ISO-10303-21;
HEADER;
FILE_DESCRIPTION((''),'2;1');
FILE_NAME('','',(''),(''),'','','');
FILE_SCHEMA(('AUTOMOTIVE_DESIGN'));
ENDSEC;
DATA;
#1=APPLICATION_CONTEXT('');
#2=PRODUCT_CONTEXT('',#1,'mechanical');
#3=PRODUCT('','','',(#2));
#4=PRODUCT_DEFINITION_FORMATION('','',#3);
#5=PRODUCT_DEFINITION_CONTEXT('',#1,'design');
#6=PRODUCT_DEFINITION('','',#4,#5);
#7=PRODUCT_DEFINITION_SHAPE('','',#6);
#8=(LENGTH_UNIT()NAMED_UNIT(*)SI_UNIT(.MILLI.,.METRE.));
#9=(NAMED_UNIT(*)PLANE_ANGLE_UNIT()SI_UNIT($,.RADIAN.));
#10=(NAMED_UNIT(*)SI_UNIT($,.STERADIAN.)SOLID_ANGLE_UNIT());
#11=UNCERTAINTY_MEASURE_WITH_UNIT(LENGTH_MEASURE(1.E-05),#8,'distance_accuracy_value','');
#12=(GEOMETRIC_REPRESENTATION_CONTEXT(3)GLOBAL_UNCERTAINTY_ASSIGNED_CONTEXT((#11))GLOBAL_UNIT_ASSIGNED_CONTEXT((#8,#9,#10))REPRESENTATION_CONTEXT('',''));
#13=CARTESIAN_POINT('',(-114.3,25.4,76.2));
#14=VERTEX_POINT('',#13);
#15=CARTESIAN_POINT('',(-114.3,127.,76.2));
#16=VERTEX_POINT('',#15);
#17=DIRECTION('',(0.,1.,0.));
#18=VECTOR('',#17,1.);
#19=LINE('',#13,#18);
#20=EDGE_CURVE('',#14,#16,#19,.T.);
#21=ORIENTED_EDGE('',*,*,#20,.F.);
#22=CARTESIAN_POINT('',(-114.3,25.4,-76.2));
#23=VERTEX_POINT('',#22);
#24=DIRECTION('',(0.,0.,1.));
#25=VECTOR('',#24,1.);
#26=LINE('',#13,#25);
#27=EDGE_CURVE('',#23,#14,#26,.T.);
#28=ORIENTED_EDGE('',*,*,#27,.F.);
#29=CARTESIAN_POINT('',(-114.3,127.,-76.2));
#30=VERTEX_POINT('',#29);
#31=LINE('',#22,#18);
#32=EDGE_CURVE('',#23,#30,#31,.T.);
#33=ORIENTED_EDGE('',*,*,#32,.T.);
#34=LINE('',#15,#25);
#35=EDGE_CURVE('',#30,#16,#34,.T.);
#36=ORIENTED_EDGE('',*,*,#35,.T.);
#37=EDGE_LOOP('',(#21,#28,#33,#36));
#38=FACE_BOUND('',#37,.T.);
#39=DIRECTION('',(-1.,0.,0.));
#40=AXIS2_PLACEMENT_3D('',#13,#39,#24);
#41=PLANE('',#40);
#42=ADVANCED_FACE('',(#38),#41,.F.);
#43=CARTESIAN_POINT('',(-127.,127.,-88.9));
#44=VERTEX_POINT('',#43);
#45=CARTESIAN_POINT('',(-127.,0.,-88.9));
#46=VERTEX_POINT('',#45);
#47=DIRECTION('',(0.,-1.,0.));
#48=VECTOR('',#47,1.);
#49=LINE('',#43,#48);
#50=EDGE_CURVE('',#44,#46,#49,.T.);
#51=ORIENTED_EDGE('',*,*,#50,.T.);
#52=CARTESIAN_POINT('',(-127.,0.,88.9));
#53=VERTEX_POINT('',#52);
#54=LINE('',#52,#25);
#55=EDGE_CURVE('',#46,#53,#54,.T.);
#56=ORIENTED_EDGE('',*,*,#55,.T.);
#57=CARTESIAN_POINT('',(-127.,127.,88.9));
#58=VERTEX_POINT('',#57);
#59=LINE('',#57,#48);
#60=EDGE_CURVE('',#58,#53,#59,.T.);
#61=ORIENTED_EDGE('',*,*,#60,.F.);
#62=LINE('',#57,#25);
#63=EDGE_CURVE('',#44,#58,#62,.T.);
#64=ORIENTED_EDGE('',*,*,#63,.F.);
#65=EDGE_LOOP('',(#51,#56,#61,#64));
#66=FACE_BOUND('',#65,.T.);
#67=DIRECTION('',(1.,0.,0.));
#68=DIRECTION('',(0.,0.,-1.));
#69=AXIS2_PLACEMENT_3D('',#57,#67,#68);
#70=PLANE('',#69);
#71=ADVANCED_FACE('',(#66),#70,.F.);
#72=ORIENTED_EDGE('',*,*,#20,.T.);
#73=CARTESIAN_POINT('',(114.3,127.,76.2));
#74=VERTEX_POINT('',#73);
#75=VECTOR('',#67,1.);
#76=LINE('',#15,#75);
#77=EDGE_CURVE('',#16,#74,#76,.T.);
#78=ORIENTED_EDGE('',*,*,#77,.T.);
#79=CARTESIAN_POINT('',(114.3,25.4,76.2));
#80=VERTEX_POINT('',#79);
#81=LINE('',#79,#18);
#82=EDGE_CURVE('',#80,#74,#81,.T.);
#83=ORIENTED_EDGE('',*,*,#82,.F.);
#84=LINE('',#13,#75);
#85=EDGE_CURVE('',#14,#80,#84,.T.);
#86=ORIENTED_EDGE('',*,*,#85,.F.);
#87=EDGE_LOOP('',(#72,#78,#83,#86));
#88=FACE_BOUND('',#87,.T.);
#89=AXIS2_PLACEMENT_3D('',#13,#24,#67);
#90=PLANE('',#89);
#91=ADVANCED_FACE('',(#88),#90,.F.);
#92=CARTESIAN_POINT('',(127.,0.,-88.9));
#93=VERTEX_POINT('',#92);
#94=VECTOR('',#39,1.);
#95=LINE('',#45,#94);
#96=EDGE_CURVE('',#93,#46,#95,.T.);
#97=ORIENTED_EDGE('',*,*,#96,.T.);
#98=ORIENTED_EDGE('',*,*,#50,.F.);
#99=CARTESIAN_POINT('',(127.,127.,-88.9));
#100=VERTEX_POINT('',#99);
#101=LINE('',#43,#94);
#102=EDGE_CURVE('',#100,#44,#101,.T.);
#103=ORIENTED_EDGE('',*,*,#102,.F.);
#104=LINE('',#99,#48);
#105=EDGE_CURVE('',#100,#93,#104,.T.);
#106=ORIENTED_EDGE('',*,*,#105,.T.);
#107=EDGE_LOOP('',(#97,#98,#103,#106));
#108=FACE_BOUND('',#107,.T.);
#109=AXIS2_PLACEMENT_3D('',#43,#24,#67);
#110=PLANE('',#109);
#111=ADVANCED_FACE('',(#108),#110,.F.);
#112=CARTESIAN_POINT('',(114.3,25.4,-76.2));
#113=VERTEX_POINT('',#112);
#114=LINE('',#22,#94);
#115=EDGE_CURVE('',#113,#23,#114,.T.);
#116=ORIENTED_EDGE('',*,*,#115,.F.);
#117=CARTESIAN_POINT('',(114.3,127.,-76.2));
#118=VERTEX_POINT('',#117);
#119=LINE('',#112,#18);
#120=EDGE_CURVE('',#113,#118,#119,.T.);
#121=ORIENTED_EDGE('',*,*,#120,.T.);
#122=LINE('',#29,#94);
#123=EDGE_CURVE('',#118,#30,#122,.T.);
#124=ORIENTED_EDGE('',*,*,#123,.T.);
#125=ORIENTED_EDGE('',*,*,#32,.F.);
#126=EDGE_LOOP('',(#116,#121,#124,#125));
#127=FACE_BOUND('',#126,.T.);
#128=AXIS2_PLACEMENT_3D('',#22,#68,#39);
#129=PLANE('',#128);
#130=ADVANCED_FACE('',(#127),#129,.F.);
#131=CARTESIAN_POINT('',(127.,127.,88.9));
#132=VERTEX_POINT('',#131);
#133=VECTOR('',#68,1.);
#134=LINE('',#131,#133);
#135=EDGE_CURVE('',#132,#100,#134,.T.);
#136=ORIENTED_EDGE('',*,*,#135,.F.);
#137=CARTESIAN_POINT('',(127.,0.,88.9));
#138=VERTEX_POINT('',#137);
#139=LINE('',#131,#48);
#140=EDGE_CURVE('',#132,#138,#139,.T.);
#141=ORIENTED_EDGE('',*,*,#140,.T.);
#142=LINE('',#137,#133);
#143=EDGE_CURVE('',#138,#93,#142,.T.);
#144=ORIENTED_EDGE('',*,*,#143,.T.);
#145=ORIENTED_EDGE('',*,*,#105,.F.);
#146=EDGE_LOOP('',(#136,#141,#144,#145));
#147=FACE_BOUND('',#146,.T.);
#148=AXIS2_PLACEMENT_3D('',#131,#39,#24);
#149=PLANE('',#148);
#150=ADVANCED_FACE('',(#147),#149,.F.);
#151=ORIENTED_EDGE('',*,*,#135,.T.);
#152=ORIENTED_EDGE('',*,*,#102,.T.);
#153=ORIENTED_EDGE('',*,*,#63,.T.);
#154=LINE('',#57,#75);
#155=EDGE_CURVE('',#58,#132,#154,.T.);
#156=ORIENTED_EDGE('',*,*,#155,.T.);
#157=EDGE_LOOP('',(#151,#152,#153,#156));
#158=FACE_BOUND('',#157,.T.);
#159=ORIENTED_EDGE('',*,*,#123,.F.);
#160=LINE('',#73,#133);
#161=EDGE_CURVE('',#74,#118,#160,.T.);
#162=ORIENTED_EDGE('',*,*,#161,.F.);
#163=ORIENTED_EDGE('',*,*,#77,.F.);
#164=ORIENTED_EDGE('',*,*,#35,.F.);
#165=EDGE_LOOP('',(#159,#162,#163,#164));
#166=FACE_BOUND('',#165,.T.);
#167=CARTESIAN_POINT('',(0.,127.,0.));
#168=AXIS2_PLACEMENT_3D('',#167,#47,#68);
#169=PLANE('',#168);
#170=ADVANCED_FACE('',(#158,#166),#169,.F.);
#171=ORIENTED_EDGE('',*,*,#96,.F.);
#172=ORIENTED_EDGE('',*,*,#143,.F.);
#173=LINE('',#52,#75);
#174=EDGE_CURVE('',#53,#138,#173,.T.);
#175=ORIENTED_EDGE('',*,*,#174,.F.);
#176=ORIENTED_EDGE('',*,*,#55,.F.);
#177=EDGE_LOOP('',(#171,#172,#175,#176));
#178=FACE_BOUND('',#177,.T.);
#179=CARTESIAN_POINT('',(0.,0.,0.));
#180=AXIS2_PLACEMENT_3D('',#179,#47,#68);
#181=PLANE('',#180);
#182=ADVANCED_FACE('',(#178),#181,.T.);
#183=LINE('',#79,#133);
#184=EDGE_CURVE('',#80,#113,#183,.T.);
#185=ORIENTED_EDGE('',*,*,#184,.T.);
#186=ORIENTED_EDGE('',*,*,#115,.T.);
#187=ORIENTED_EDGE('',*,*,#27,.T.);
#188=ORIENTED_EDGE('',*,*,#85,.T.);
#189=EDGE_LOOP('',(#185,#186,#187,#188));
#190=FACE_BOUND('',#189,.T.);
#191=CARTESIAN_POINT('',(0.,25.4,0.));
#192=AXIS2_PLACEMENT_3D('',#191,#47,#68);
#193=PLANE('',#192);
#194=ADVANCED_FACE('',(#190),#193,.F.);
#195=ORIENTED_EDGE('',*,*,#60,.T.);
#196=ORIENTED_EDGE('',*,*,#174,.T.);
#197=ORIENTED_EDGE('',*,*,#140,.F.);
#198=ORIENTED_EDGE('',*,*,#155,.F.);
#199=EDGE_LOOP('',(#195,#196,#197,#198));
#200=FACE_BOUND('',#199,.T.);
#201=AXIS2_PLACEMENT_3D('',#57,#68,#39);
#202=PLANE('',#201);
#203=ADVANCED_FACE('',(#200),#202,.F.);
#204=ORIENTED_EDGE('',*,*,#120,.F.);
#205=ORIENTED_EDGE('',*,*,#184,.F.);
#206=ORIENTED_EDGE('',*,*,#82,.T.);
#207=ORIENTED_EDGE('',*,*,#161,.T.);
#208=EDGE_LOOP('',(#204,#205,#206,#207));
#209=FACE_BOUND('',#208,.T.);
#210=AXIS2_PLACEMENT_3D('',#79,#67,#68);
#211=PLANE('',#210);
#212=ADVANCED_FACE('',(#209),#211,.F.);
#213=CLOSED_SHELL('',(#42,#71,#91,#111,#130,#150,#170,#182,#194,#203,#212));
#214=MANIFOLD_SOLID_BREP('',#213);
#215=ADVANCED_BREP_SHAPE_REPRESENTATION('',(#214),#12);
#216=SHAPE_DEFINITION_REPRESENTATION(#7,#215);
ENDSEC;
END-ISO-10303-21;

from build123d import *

# Parameters (mm, degrees)
SKETCH1_W           = 254
SKETCH1_H           = 177.8
BOSS_EXTRUDE1_DEPTH = 127
SKETCH2_W           = 228.6
SKETCH2_H           = 152.4
CUT_EXTRUDE1_DEPTH  = 101.6


with BuildPart() as part:
    # Sketch1 → Boss-Extrude1 (new body)
    with BuildSketch(Plane(origin=(0, 0, 0), x_dir=(1, 0, 0), z_dir=(0, 1, 0))):
        Rectangle(SKETCH1_W, SKETCH1_H)
    extrude(amount=BOSS_EXTRUDE1_DEPTH)

    # Sketch2 → Cut-Extrude1 (cut)
    with BuildSketch(Plane(origin=(0, 127, 0), x_dir=(1, 0, 0), z_dir=(0, 1, 0))):
        Rectangle(SKETCH2_W, SKETCH2_H)
    extrude(amount=-CUT_EXTRUDE1_DEPTH, mode=Mode.SUBTRACT)


solid = part.part
